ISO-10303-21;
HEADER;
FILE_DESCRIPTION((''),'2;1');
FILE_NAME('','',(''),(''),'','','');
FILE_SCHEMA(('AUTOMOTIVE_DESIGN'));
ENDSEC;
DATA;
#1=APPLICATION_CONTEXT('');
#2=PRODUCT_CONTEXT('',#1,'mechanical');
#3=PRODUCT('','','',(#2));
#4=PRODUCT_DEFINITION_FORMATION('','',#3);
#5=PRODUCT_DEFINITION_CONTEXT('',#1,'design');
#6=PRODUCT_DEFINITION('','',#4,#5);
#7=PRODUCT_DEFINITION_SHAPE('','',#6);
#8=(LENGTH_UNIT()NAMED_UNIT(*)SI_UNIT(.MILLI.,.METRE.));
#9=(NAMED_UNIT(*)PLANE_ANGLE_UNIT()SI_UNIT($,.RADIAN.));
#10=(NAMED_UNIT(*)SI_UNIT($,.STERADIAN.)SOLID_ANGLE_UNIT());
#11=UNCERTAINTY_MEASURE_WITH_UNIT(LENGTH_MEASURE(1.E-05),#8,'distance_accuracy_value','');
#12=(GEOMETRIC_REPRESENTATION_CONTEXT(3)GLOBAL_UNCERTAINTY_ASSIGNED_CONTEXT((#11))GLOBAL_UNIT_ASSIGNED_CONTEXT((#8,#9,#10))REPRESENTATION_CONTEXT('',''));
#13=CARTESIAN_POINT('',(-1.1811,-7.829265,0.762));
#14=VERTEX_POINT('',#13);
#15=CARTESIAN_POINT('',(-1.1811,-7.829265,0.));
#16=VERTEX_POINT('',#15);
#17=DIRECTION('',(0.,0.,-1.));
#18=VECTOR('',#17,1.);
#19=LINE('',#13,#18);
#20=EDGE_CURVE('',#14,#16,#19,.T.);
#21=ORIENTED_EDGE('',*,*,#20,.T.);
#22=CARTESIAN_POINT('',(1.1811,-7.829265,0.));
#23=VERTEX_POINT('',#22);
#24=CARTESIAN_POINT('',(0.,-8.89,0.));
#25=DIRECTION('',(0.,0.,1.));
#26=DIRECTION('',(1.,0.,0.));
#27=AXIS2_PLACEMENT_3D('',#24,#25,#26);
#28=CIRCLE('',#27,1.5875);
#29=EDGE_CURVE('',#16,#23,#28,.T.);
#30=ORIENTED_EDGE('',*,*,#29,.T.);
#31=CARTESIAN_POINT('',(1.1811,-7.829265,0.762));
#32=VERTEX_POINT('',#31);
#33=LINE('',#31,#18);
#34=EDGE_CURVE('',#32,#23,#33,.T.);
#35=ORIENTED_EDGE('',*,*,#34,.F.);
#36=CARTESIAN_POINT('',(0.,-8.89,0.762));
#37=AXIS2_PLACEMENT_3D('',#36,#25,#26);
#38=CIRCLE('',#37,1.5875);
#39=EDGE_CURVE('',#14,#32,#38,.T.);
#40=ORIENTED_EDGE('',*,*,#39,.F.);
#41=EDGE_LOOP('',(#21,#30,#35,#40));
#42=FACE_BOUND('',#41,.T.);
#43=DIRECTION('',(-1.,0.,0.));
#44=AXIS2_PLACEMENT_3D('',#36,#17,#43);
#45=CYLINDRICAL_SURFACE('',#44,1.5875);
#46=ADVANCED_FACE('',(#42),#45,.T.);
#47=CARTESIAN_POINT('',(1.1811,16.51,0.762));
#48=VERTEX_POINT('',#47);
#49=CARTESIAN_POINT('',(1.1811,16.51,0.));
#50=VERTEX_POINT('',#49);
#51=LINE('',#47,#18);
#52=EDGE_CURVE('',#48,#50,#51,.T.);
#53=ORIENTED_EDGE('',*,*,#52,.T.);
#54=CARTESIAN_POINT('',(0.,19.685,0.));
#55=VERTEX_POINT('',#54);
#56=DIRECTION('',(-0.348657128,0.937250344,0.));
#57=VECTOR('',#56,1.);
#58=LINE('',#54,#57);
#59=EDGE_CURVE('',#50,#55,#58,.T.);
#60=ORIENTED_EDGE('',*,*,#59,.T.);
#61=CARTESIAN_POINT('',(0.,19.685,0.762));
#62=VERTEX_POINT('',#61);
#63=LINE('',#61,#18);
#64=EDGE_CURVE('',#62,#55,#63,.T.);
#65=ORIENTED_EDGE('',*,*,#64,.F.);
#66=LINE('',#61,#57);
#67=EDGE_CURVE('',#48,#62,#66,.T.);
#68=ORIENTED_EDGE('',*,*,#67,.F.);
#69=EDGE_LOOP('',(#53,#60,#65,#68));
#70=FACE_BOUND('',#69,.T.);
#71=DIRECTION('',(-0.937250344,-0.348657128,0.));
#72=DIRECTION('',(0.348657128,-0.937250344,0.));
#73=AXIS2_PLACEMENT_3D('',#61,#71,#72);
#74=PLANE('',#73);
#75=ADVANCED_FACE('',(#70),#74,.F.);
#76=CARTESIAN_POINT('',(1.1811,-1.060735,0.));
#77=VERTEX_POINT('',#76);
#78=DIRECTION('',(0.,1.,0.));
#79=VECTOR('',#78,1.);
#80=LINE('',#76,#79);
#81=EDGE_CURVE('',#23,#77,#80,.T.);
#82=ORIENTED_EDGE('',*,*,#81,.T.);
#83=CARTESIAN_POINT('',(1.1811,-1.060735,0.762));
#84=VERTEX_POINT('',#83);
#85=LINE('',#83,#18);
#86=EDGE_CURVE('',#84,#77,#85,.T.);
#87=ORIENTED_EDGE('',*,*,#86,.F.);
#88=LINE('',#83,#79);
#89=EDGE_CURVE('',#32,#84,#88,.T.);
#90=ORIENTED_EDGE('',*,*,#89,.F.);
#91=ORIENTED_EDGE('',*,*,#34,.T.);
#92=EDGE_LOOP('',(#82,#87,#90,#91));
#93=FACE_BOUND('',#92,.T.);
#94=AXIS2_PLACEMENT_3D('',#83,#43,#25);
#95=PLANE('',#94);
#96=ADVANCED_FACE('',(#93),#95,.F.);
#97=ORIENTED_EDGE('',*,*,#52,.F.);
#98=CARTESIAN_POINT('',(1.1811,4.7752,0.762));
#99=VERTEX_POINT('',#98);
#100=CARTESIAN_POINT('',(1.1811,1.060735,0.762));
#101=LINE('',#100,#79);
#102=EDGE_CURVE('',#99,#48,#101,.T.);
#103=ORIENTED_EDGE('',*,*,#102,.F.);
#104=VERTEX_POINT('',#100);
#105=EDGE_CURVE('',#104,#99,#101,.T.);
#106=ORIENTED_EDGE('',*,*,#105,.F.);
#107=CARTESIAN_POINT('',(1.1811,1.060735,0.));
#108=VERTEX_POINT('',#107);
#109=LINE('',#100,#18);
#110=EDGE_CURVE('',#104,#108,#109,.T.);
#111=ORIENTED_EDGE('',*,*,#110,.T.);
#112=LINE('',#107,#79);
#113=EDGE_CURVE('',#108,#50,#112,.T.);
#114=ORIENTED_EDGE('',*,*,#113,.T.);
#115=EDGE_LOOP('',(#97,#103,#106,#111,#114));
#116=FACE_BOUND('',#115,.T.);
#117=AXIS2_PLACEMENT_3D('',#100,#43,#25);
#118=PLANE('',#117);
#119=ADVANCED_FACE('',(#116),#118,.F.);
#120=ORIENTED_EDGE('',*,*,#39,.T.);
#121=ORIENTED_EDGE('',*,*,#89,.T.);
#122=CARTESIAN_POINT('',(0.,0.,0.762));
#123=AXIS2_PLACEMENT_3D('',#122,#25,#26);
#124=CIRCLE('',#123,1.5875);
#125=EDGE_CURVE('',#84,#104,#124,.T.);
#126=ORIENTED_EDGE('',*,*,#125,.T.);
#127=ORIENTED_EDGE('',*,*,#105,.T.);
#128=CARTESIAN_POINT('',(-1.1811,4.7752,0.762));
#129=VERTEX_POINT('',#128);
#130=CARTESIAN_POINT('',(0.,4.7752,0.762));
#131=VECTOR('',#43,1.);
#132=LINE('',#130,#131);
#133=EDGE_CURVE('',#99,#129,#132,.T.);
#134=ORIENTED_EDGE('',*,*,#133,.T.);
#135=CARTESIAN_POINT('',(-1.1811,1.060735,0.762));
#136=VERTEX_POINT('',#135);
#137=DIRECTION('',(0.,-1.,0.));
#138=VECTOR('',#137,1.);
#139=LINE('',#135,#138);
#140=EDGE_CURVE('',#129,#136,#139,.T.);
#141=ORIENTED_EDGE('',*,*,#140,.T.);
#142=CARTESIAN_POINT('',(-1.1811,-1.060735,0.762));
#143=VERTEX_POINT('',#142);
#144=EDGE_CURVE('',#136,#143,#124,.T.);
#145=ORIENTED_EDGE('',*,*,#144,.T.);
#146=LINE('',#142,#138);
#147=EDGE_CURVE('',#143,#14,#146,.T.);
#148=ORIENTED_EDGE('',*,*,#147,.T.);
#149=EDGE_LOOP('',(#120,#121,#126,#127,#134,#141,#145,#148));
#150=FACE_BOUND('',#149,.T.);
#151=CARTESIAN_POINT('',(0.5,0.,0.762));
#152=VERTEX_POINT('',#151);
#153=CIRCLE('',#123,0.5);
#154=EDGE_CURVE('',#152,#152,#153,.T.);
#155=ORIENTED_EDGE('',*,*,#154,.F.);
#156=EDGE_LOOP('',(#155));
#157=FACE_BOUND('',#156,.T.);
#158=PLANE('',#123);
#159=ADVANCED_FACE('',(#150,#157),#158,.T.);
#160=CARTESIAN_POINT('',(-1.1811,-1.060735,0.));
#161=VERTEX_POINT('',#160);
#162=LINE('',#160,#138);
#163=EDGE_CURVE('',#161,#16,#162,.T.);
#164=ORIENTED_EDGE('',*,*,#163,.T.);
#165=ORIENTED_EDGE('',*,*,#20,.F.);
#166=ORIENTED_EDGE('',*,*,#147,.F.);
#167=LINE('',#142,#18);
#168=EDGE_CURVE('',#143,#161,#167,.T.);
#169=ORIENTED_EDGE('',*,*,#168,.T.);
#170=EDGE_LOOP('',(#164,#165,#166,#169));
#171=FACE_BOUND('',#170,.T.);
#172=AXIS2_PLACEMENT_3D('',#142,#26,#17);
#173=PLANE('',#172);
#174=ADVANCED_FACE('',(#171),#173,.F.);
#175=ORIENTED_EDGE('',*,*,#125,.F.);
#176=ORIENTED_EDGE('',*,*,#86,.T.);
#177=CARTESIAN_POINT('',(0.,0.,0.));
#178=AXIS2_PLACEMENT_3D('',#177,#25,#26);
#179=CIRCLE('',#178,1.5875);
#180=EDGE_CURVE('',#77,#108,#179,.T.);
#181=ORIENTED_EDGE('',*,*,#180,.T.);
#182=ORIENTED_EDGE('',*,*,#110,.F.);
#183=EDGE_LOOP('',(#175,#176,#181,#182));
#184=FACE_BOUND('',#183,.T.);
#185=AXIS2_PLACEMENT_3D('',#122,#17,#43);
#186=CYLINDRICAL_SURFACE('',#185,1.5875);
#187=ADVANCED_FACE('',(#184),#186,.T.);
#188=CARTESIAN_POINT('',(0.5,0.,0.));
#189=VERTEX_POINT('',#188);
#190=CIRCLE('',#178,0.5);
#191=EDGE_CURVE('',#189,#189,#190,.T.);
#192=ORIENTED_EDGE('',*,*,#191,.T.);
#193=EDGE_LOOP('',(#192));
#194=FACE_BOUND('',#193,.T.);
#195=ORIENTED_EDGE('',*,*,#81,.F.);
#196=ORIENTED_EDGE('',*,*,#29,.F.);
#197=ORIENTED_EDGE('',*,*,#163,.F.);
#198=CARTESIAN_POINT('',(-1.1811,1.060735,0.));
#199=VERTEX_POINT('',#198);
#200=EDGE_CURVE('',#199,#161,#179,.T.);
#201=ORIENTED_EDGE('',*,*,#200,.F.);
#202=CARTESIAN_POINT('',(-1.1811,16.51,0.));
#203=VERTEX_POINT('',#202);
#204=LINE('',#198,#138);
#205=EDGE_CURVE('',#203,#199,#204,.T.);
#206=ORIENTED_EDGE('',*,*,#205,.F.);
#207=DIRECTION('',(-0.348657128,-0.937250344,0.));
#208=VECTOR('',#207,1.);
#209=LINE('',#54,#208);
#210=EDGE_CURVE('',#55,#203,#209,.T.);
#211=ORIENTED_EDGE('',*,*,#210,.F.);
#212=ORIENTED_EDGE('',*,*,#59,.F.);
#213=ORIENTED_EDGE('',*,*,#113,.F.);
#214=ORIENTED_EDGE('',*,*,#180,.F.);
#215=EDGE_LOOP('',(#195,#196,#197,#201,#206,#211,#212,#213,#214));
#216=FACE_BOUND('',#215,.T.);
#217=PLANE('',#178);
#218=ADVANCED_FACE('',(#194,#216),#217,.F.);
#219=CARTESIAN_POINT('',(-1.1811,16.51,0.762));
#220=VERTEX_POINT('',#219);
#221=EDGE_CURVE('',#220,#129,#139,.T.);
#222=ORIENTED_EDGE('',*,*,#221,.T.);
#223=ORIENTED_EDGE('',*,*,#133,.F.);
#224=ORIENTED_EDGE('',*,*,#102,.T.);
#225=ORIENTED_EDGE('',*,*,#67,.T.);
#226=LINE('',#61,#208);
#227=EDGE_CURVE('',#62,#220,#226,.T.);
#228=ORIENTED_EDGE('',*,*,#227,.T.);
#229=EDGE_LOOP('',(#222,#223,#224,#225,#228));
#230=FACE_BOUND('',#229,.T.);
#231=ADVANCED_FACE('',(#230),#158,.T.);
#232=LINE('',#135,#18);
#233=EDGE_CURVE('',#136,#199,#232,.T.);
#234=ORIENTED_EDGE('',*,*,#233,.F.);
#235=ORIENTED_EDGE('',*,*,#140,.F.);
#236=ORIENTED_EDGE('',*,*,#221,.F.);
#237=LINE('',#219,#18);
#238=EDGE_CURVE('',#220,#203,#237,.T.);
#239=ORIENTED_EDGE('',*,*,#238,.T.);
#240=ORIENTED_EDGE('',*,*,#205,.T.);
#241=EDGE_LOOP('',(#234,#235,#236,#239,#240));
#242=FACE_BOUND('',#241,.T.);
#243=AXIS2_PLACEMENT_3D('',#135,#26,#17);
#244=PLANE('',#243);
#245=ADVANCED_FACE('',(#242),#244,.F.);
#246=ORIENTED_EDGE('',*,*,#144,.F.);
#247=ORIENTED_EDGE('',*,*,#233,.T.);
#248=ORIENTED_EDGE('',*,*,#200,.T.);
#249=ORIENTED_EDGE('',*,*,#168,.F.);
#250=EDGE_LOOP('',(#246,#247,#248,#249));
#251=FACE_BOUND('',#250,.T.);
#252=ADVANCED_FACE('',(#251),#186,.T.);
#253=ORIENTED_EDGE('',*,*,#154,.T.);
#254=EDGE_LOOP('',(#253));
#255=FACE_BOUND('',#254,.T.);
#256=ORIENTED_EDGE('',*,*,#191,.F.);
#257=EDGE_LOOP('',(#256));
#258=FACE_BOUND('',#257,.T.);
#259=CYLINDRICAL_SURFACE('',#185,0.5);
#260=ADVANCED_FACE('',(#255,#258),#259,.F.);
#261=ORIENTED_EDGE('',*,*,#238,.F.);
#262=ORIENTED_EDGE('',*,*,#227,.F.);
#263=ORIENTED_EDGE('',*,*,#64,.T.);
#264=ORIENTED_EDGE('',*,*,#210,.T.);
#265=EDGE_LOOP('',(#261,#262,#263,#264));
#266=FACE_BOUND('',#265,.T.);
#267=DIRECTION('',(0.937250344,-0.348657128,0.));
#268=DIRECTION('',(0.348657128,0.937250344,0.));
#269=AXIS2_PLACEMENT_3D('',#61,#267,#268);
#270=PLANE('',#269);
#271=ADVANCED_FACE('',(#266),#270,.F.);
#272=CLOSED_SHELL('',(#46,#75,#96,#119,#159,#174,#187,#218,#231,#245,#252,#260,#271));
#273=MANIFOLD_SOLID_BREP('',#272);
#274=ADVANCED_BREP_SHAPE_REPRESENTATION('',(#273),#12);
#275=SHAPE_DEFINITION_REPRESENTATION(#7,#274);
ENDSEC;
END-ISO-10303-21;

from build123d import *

# Parameters (mm, degrees)
SKETCH1_R           = 0.5
BOSS_EXTRUDE1_DEPTH = 0.762


with BuildPart() as part:
    # Sketch1 → Boss-Extrude1 (new body)
    with BuildSketch(Plane.XY):
        with BuildLine():
            Line((-1.1811, -1.060735141), (-1.1811, -7.829264859))
            ThreePointArc((-1.1811, -7.829264859), (0, -10.4775), (1.1811, -7.829264859))
            Line((1.1811, -7.829264859), (1.1811, -1.060735141))
            ThreePointArc((1.1811, -1.060735141), (1.5875, 0), (1.1811, 1.060735141))
            Line((1.1811, 1.060735141), (1.1811, 16.51))
            Line((1.1811, 16.51), (0, 19.685))
            Line((0, 19.685), (-1.1811, 16.51))
            Line((-1.1811, 16.51), (-1.1811, 1.060735141))
            ThreePointArc((-1.1811, 1.060735141), (-1.5875, 0), (-1.1811, -1.060735141))
        make_face()
        Circle(SKETCH1_R, mode=Mode.SUBTRACT)
    extrude(amount=BOSS_EXTRUDE1_DEPTH)


solid = part.part
